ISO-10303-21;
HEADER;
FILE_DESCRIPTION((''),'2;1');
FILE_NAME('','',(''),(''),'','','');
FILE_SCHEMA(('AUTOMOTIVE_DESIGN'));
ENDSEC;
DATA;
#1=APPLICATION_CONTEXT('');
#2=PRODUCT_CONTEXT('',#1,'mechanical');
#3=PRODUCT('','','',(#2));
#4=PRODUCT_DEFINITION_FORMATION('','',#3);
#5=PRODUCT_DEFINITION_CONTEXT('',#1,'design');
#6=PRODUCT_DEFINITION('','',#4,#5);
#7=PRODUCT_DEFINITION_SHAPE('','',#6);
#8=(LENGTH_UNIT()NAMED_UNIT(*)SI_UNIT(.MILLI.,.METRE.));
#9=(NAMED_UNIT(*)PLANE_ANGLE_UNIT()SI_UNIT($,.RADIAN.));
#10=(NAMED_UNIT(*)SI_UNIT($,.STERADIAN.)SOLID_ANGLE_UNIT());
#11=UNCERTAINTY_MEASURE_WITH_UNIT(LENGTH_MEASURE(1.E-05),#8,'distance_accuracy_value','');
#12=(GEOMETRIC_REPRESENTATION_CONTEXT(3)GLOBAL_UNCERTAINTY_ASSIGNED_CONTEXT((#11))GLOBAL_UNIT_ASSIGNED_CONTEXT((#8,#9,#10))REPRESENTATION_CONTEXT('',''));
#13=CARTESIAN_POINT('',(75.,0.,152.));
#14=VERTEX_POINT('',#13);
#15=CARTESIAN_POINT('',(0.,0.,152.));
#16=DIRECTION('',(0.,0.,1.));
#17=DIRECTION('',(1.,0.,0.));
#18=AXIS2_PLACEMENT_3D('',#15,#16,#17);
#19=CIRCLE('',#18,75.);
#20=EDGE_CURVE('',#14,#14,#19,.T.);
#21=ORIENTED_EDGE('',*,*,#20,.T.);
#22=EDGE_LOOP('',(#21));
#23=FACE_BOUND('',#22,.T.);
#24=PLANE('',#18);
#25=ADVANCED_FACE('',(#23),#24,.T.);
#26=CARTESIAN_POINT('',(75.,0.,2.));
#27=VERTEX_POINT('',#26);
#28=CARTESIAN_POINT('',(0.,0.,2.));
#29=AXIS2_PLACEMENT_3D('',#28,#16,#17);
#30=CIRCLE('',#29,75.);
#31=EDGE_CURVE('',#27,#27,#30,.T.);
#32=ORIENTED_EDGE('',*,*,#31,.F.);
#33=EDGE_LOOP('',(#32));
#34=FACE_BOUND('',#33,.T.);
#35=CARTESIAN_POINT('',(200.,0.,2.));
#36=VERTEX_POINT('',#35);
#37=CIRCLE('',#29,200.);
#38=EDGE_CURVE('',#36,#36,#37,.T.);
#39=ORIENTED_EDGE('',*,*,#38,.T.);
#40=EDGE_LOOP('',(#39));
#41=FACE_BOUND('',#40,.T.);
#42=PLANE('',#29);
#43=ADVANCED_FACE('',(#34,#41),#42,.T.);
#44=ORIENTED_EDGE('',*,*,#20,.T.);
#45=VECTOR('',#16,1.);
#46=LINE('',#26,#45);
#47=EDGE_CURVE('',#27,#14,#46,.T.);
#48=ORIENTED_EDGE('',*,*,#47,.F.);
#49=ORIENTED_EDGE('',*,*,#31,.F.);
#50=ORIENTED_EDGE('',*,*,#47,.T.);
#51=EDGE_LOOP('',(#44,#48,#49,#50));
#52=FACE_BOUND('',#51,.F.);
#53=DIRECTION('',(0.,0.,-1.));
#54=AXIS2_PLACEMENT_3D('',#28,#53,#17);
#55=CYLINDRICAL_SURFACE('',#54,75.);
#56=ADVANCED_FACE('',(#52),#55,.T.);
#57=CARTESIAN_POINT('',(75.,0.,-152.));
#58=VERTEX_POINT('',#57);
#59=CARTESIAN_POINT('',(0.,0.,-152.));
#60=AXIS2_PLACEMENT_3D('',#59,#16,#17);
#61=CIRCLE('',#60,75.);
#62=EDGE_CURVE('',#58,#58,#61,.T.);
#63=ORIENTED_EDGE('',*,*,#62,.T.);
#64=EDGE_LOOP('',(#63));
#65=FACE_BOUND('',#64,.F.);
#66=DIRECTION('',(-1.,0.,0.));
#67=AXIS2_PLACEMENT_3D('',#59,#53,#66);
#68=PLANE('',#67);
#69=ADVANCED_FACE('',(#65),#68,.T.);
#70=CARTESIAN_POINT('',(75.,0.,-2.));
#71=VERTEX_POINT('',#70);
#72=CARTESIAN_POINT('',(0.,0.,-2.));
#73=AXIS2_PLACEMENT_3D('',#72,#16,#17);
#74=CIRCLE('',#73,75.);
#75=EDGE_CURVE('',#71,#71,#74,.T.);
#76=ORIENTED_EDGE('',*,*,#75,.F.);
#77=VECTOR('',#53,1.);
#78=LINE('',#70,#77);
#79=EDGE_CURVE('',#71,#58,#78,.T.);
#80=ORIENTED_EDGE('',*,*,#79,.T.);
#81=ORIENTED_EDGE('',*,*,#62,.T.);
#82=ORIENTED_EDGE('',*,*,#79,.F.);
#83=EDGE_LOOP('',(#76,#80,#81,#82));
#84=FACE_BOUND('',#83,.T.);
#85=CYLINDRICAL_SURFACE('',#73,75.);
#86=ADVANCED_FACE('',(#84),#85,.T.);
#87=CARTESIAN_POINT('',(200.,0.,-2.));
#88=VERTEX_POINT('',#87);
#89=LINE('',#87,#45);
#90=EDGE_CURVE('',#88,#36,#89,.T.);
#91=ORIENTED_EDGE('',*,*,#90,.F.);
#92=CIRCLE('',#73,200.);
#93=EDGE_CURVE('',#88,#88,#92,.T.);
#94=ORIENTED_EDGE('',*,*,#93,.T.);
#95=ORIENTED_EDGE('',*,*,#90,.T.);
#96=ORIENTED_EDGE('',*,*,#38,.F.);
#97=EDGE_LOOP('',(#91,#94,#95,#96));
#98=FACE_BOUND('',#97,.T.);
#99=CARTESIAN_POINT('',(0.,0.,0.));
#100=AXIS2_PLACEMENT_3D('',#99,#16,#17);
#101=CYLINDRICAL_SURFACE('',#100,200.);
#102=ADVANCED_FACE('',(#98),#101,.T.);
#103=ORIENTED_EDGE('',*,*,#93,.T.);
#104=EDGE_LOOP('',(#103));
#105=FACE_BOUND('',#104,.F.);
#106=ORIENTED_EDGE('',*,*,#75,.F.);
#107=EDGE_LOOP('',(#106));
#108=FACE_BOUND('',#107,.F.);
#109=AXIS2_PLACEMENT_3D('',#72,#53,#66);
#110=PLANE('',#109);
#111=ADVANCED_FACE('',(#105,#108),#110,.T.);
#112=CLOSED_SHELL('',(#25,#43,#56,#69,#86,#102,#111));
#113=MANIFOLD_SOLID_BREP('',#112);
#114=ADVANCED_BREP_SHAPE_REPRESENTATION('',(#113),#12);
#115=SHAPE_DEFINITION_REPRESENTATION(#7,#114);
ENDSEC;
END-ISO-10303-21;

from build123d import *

# Parameters (mm, degrees)
F0_R     = 200
F1_DEPTH = 2
F2_R     = 75
F3_DEPTH = 150


with BuildPart() as f1:
    # F0 (on Top) → F1 (new body)
    with BuildSketch(Plane.XY):
        Circle(F0_R)
    extrude(amount=F1_DEPTH)

    # F2 (on face) → F3 (join)
    with BuildSketch(Plane.XY.offset(2)):
        Circle(F2_R)
    extrude(amount=F3_DEPTH)

    # F4: F1 across face


with BuildPart() as f1_1:
    add(f1.part)
    add(f1.part.mirror(Plane(origin=(0, 0, 0), x_dir=(1, 0, 0), z_dir=(0, 0, -1))))


solid = f1_1.part
